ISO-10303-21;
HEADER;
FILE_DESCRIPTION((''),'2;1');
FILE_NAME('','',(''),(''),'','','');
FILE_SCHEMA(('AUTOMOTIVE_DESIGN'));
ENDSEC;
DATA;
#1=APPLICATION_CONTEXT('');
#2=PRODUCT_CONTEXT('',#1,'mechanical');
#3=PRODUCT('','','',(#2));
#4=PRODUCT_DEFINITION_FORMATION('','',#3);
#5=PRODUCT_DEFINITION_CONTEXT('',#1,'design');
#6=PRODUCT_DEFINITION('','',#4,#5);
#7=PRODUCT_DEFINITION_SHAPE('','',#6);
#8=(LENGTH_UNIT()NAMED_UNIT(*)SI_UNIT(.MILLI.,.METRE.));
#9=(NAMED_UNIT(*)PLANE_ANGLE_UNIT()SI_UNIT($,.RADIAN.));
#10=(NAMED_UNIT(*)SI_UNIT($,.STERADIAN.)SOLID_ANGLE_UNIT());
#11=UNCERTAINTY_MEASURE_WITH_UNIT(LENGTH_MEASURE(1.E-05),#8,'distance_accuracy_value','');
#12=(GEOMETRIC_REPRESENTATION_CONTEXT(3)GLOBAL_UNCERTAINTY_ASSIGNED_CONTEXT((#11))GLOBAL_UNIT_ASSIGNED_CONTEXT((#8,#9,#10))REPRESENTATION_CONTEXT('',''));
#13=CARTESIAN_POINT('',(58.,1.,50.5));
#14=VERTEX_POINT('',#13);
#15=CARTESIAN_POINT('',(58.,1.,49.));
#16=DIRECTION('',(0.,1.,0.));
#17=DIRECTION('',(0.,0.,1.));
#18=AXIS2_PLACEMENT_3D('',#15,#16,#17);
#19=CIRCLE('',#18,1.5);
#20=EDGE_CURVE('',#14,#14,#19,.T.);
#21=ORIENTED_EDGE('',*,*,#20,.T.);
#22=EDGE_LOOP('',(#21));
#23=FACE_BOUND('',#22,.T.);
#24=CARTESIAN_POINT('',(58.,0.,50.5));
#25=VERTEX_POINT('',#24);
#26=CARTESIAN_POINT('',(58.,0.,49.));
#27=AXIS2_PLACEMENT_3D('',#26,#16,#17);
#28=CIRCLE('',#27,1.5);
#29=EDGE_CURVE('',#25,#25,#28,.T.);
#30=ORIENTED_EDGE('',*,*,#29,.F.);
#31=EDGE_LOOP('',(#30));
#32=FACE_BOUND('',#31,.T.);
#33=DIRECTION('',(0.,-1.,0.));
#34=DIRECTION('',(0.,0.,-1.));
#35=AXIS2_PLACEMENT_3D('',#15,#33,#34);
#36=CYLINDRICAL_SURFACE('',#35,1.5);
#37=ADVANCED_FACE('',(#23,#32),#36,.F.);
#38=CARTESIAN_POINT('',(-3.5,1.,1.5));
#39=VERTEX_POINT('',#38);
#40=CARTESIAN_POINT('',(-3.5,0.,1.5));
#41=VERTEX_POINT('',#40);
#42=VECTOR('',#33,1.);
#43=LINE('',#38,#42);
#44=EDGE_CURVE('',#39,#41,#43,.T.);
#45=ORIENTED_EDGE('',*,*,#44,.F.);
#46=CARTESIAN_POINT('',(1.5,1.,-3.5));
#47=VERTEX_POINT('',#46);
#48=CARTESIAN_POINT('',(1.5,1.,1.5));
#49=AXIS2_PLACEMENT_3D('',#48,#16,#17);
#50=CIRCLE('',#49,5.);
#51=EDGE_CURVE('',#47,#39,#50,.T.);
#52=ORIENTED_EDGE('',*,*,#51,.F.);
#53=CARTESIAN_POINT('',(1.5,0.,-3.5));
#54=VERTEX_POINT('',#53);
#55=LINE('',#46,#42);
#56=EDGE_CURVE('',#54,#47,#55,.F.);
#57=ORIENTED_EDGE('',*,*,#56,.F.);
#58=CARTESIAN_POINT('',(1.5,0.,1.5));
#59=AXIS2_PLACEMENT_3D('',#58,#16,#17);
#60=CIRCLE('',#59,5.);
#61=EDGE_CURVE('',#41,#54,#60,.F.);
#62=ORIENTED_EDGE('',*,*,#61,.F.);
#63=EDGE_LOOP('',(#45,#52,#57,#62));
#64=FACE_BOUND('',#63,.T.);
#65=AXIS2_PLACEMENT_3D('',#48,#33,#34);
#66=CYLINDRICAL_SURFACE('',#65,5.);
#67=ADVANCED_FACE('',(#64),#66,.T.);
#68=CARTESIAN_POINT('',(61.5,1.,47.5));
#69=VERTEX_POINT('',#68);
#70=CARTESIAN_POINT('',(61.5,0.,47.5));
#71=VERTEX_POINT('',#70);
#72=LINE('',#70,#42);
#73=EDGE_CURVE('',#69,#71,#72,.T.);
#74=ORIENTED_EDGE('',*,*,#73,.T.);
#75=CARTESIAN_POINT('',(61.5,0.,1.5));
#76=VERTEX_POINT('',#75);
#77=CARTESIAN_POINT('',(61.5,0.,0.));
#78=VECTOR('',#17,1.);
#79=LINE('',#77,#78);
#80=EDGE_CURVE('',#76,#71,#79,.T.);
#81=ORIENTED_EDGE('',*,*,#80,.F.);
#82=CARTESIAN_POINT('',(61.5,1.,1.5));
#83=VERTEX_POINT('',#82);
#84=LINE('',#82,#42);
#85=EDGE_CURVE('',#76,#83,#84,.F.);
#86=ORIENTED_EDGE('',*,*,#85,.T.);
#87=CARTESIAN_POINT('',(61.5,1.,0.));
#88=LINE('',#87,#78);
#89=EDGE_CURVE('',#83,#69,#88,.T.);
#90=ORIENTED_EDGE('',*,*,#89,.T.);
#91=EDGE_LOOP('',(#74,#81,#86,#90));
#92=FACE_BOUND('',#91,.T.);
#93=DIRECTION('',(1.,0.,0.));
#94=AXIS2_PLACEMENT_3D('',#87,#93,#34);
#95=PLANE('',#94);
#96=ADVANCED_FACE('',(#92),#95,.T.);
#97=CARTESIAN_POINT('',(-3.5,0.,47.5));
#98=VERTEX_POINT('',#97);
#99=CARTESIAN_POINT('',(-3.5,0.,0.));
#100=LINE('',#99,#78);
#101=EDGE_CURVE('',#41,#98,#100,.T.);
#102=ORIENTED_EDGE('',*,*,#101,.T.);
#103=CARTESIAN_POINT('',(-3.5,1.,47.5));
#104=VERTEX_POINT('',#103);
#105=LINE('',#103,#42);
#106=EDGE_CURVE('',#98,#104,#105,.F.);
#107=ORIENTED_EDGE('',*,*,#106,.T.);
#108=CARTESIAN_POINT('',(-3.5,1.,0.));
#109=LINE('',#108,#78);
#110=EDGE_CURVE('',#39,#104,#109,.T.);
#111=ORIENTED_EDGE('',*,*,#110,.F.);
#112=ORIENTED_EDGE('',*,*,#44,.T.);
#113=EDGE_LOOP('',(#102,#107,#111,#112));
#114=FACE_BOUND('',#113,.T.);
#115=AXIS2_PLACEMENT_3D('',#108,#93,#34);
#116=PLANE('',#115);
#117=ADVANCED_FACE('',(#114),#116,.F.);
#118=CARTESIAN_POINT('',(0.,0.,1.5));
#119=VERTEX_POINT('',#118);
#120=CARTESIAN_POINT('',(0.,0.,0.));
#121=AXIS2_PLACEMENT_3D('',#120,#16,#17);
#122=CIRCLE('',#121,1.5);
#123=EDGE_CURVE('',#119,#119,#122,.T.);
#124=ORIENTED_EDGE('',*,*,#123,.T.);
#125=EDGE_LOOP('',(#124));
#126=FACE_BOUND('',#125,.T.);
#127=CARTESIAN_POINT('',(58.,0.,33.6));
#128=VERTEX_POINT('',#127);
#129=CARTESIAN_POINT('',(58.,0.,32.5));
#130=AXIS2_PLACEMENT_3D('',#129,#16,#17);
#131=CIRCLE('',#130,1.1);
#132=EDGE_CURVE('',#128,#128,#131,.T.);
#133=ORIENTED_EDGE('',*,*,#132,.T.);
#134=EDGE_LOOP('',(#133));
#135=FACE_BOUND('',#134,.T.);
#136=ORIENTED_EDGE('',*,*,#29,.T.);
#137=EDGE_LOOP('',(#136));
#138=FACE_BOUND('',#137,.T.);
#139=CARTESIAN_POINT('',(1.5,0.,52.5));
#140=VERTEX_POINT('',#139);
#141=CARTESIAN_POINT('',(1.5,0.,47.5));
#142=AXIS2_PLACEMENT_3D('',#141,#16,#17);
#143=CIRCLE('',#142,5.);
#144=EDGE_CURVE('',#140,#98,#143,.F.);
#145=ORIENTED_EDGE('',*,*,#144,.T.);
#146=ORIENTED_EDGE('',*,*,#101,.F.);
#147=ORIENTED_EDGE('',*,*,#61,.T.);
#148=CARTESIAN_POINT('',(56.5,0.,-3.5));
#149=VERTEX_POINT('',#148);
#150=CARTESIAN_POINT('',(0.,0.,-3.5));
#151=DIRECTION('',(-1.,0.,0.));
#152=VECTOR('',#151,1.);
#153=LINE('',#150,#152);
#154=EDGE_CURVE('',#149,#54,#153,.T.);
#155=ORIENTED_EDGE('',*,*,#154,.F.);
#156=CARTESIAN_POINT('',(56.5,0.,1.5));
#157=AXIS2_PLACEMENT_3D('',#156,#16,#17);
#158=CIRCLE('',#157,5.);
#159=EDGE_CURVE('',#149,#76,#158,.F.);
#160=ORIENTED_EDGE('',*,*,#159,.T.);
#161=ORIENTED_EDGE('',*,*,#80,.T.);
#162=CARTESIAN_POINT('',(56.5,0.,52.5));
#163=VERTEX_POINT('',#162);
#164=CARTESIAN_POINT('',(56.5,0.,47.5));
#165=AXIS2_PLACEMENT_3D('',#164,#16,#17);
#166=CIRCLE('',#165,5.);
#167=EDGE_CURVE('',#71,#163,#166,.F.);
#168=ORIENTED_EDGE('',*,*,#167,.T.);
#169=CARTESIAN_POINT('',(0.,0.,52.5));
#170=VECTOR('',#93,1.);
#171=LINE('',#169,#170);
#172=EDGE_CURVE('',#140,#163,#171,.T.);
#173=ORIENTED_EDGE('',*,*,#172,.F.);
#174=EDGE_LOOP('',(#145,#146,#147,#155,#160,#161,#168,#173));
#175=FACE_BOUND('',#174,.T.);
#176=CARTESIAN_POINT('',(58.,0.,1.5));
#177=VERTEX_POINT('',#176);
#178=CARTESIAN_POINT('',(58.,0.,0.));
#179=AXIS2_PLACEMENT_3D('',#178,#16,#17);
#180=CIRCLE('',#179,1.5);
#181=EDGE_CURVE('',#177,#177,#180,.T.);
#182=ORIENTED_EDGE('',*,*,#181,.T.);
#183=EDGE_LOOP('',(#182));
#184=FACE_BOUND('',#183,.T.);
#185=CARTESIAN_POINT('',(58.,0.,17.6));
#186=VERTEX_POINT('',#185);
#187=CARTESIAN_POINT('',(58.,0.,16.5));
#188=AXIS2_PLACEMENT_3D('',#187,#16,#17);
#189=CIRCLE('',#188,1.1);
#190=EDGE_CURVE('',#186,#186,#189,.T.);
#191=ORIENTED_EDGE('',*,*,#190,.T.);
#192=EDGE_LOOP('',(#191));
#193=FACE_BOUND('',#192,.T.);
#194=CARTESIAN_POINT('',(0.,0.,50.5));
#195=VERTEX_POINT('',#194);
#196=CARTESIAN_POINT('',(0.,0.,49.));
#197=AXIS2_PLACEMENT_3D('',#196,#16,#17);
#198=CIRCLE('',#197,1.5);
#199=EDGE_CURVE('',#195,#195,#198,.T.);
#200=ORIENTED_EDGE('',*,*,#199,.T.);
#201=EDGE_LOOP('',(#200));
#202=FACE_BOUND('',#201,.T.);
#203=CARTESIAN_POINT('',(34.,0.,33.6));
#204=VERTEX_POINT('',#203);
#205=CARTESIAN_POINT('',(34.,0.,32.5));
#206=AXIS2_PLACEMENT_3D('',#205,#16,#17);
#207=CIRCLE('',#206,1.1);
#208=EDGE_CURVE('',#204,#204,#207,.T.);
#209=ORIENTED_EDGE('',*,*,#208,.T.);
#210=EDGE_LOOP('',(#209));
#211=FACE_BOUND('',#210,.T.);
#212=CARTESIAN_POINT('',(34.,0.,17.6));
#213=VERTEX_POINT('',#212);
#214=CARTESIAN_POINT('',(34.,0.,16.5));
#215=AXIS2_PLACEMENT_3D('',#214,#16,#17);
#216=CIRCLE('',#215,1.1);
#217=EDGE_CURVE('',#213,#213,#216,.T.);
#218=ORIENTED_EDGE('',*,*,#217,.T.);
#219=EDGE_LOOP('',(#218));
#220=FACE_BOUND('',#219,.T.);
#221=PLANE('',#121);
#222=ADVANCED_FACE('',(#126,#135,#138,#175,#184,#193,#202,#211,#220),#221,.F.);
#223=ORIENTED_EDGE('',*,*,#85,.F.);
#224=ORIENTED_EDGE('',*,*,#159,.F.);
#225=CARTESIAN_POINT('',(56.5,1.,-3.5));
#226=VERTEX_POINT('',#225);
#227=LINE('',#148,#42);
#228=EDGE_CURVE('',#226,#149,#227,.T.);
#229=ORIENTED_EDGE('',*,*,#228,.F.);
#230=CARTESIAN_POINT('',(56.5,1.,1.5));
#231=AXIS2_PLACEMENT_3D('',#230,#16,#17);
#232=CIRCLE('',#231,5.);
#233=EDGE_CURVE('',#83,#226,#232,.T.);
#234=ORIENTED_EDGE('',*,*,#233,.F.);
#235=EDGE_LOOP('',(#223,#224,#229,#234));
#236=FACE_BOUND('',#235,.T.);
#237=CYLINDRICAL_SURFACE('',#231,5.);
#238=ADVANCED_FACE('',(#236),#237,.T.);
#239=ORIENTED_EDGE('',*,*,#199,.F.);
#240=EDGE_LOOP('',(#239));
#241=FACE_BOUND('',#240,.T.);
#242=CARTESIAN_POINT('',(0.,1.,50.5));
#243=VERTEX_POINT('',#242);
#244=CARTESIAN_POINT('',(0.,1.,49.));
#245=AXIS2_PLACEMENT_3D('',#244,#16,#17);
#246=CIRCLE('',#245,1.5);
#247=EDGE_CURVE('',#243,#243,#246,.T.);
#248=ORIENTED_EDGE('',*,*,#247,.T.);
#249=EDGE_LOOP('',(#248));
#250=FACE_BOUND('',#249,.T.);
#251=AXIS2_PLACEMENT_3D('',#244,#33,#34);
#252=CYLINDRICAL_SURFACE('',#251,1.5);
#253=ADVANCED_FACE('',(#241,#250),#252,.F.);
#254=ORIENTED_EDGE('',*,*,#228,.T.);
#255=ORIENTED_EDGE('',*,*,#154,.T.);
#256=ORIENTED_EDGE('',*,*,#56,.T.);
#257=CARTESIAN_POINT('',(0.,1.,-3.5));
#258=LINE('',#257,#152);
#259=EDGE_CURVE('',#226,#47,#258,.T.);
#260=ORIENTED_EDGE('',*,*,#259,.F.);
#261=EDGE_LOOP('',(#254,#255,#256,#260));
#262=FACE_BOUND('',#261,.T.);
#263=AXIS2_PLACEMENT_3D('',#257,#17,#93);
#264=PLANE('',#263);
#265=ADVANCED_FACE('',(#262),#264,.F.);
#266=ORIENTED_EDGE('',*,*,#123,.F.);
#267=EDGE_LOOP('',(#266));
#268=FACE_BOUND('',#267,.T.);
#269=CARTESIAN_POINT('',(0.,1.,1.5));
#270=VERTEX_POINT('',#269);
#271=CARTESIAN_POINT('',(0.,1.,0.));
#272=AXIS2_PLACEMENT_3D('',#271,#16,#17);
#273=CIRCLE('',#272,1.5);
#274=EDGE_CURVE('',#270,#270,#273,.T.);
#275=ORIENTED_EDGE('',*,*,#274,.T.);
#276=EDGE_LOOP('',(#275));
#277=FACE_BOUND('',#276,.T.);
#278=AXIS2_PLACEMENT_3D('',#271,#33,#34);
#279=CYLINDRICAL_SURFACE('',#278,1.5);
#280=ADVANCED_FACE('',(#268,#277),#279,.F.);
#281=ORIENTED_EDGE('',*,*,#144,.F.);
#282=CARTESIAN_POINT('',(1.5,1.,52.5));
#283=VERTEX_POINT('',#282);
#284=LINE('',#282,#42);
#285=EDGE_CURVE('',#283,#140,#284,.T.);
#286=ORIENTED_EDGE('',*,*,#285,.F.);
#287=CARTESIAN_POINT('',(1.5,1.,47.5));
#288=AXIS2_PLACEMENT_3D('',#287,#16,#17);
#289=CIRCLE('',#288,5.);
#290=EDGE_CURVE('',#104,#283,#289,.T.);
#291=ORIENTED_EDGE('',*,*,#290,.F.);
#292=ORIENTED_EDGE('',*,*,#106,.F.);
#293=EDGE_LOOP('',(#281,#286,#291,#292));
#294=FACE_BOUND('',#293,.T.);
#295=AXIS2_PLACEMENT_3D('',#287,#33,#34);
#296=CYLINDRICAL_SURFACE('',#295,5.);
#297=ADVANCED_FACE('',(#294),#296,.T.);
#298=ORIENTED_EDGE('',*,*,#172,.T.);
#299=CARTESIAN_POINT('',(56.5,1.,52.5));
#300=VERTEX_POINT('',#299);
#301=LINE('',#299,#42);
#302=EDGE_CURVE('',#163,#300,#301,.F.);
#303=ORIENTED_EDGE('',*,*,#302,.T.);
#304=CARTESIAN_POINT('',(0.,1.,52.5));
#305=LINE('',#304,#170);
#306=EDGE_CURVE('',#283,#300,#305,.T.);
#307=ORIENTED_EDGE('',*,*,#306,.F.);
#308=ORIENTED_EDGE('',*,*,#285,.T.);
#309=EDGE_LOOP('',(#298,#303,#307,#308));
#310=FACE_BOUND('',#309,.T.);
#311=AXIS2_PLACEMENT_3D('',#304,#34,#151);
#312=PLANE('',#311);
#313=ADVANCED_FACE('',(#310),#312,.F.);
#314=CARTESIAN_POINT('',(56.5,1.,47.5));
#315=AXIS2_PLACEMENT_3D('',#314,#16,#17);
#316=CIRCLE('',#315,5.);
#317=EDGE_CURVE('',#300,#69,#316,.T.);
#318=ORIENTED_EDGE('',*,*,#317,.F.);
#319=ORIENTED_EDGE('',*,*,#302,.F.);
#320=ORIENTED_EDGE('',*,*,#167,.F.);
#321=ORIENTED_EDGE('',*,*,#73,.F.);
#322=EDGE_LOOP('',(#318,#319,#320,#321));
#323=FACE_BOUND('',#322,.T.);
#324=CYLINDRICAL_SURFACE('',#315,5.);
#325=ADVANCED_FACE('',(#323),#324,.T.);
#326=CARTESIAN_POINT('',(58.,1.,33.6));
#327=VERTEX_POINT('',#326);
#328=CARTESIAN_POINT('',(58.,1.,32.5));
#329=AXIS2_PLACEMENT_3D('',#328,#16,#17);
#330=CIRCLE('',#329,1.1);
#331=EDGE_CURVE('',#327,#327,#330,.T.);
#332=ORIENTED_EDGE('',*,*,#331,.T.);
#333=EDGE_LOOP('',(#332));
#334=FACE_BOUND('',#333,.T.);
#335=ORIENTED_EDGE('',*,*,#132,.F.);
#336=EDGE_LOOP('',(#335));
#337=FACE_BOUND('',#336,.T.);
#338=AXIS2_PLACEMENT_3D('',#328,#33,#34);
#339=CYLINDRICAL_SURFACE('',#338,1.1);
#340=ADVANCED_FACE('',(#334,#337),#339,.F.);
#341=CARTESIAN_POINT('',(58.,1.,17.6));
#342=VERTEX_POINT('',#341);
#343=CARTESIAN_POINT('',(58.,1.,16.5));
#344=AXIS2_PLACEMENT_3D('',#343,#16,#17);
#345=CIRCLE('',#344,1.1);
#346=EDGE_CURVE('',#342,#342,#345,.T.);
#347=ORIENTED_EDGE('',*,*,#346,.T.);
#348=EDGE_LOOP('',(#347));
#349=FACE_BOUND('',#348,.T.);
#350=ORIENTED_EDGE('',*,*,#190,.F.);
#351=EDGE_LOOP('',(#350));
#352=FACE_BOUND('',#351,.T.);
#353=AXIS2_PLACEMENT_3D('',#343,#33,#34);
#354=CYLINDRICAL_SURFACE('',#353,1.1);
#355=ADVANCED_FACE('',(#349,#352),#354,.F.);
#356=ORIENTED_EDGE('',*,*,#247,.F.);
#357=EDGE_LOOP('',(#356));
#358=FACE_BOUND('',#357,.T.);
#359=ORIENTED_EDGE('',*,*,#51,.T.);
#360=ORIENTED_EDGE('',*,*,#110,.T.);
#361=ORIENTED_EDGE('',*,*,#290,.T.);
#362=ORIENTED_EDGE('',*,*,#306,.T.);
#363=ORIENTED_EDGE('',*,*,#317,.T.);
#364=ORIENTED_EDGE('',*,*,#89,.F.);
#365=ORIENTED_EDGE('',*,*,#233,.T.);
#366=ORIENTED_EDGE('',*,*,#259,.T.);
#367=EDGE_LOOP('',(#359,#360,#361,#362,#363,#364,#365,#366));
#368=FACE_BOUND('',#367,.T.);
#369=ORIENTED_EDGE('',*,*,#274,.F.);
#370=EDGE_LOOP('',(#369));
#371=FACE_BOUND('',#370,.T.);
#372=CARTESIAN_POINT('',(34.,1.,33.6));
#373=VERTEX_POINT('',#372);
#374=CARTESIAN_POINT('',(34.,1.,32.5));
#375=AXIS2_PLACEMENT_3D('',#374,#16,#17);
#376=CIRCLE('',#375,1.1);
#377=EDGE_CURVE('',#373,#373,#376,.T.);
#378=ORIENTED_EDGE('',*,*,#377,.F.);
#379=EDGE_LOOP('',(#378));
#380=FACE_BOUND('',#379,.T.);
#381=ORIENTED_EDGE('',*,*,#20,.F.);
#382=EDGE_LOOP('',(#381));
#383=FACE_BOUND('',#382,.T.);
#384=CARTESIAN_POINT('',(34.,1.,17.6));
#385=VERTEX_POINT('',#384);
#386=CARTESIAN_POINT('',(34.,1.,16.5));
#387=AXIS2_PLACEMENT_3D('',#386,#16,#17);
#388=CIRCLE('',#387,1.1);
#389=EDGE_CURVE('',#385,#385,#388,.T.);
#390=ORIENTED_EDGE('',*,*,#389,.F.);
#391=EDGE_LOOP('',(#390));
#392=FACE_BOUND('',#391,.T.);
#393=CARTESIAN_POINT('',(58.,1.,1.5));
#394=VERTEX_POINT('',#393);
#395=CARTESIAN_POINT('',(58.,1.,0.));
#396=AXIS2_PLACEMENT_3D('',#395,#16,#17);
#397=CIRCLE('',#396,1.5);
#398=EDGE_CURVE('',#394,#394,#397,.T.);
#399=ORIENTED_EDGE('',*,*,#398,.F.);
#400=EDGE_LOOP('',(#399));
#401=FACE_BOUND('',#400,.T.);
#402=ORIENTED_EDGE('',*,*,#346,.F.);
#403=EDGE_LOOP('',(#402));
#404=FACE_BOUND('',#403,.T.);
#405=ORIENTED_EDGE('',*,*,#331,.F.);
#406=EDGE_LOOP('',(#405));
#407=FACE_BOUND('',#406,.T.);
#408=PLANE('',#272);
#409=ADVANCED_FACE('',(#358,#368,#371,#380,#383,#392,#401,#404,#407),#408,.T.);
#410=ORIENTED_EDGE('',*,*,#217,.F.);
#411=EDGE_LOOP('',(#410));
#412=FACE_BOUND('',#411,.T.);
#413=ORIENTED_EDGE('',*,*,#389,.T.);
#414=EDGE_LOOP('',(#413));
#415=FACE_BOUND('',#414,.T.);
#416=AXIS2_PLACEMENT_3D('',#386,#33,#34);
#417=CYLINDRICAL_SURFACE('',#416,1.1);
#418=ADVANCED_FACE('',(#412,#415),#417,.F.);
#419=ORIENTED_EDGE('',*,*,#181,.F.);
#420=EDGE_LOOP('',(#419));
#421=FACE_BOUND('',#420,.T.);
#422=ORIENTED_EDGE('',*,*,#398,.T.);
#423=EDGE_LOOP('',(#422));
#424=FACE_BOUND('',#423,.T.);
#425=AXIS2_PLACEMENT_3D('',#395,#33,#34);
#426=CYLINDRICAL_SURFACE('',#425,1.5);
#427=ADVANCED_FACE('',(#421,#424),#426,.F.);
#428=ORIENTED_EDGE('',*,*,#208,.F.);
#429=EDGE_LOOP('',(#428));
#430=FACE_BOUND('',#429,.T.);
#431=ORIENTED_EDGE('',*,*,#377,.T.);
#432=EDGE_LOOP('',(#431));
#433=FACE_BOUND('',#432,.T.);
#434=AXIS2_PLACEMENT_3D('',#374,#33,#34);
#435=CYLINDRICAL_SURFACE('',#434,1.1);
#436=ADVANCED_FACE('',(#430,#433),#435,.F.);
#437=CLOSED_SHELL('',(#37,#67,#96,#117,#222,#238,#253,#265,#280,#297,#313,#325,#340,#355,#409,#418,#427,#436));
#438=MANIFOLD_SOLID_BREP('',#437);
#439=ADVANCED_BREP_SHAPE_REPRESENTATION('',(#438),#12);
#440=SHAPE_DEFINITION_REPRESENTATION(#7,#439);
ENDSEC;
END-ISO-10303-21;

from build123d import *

# Parameters (mm, degrees)
SKETCH1_W           = 65
SKETCH1_H           = 56
SKETCH1_R           = 1.5
SKETCH1_R_2         = 1.1
BOSS_EXTRUDE1_DEPTH = 1
FILLET2_R           = 5


with BuildPart() as part:
    # Sketch1 → Boss-Extrude1 (new body)
    with BuildSketch(Plane(origin=(0, 0, 0), x_dir=(1, 0, 0), z_dir=(0, 1, 0))):
        with Locations((29, -24.5)):
            Rectangle(SKETCH1_W, SKETCH1_H)
        with Locations(Location((0, 0, 0), (0, 0, 270))):
            Circle(SKETCH1_R, mode=Mode.SUBTRACT)
        with Locations(Location((58, 0, 0), (0, 0, 270))):
            Circle(SKETCH1_R, mode=Mode.SUBTRACT)
        with Locations(Location((0, -49, 0), (0, 0, 270))):
            Circle(SKETCH1_R, mode=Mode.SUBTRACT)
        with Locations(Location((58, -49, 0), (0, 0, 270))):
            Circle(SKETCH1_R, mode=Mode.SUBTRACT)
        with Locations(Location((34, -16.5, 0), (0, 0, 270))):
            Circle(SKETCH1_R_2, mode=Mode.SUBTRACT)
        with Locations(Location((58, -16.5, 0), (0, 0, 270))):
            Circle(SKETCH1_R_2, mode=Mode.SUBTRACT)
        with Locations(Location((34, -32.5, 0), (0, 0, 270))):
            Circle(SKETCH1_R_2, mode=Mode.SUBTRACT)
        with Locations(Location((58, -32.5, 0), (0, 0, 270))):
            Circle(SKETCH1_R_2, mode=Mode.SUBTRACT)
    extrude(amount=BOSS_EXTRUDE1_DEPTH)

    # Fillet2
    fillet2_edges = [part.edges().sort_by_distance(p)[0] for p in [
        (61.5, 0.5, 52.5),
        (-3.5, 0.5, 52.5),
        (-3.5, 0.5, -3.5),
        (61.5, 0.5, -3.5),
    ]]
    fillet(fillet2_edges, radius=FILLET2_R)


solid = part.part
